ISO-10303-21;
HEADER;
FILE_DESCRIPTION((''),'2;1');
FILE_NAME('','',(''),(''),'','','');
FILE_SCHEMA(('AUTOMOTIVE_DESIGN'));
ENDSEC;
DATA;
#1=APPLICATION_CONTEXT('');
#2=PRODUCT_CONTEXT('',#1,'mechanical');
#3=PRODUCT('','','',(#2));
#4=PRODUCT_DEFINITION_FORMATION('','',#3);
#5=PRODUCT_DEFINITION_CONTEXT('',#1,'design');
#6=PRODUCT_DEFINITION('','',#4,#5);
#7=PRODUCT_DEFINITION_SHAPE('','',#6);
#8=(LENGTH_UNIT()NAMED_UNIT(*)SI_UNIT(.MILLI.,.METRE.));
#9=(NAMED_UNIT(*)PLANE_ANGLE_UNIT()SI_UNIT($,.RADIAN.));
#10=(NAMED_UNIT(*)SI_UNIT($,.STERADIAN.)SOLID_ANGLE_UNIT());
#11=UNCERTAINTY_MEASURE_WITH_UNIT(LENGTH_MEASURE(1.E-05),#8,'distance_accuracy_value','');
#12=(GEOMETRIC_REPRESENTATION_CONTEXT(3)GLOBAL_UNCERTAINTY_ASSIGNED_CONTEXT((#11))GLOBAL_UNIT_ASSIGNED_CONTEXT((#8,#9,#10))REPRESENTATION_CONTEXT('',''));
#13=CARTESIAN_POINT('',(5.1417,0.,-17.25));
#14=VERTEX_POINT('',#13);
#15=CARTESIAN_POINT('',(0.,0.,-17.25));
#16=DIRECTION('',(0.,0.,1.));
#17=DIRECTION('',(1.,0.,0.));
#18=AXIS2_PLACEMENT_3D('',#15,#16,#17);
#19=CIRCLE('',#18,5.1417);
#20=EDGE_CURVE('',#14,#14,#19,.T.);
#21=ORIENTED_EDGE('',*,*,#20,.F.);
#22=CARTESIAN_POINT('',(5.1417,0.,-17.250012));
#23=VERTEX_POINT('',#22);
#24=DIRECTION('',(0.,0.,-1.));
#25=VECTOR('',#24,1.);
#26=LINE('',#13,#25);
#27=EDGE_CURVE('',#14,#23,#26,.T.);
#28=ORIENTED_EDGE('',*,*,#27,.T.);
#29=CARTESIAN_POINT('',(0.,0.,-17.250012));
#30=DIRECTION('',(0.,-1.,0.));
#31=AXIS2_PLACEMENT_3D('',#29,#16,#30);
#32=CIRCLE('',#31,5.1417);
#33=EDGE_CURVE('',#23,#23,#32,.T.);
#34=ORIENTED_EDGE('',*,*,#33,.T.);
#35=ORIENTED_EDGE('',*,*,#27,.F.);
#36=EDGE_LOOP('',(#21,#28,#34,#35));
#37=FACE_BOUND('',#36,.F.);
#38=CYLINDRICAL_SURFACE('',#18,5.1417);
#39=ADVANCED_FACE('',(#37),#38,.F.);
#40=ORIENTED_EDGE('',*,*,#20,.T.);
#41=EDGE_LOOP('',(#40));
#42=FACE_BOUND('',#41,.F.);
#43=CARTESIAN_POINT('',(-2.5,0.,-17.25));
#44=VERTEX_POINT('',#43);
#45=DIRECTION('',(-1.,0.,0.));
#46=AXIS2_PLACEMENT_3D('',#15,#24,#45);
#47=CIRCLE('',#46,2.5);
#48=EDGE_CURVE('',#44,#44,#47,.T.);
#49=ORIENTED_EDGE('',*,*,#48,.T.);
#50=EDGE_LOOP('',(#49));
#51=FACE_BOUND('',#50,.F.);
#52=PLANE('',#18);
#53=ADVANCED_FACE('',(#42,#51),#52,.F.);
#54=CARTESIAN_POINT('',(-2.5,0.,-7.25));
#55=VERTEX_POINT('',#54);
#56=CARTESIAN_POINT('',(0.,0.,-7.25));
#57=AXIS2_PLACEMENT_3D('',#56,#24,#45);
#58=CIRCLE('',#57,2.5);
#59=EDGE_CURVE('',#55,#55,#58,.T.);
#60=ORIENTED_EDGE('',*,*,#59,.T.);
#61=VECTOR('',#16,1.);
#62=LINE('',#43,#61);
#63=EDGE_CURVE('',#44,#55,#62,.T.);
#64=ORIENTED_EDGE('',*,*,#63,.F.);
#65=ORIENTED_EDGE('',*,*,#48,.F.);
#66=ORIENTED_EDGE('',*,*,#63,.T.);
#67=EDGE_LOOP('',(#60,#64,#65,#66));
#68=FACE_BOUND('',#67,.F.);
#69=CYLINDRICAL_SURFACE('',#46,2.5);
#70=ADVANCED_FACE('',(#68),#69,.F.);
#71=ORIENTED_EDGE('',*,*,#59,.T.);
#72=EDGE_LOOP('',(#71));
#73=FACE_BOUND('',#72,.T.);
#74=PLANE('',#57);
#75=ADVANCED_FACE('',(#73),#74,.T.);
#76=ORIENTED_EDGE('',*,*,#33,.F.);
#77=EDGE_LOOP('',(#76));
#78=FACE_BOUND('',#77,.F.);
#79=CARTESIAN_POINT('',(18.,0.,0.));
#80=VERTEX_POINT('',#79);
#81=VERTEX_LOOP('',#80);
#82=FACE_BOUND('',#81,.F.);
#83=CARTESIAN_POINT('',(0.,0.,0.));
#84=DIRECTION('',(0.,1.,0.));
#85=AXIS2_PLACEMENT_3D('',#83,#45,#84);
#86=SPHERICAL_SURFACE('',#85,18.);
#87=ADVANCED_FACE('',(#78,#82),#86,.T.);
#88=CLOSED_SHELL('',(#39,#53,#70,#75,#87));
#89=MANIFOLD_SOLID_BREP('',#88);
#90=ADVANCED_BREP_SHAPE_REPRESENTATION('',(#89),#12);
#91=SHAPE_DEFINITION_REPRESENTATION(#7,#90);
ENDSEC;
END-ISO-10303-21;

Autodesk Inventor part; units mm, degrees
ref_plane "YZ Plane" through (0, 0, 0) normal (1, 0, 0) x (0, 1, 0)
ref_plane "XZ Plane" through (0, 0, 0) normal (0, 1, 0) x (-1, 0, 0)
sketch "Sketch1" plane through (0, 0, 0) normal (0, 0, 1) x (1, 0, 0)
  circle A0 centre (0, 0) radius 18
  line L0 (-18, 0) -> (18, 0)
  dimension "d0" = 36
  dimension "d1" = 36
revolve "Ball" add sketch "Sketch1" angle 360 about axis through (-18, 0, 0) along (1, 0, 0) picked at (3.4084, 4.9379) contours L0 A0
ref_plane "BottomCuttingPlane" through (0, 0, -17.25) normal (0, 0, 1) x (1, 0, 0)
sketch "CutBottomSketch" plane through (0, 0, -17.25) normal (0, 0, 1) x (1, 0, 0)
  circle A0 centre (0, 0) radius 5.1417 projected
extrude "FlattenBottom" cut sketch "CutBottomSketch" against normal blind 10
sketch "Anchor" plane through (0, 0, -17.25) normal (0, 0, -1) x (-1, 0, 0)
  circle A0 centre (0, 0) radius 5.1417 projected
  circle A1 centre (0, 0) radius 4
  circle A2 centre (0, 0) radius 2.5
  dimension "d6" = 8
  dimension "d7" = 5
extrude "Extrusion2" cut sketch "Anchor" against normal blind 10 contours A2
thread "Thread1" size "M5x0.8" class "6H" standard "ANSI Metric M Profile" full length
properties part number "JLF-TP-8YT_ball" material "Acrylic, Clear(1)"
